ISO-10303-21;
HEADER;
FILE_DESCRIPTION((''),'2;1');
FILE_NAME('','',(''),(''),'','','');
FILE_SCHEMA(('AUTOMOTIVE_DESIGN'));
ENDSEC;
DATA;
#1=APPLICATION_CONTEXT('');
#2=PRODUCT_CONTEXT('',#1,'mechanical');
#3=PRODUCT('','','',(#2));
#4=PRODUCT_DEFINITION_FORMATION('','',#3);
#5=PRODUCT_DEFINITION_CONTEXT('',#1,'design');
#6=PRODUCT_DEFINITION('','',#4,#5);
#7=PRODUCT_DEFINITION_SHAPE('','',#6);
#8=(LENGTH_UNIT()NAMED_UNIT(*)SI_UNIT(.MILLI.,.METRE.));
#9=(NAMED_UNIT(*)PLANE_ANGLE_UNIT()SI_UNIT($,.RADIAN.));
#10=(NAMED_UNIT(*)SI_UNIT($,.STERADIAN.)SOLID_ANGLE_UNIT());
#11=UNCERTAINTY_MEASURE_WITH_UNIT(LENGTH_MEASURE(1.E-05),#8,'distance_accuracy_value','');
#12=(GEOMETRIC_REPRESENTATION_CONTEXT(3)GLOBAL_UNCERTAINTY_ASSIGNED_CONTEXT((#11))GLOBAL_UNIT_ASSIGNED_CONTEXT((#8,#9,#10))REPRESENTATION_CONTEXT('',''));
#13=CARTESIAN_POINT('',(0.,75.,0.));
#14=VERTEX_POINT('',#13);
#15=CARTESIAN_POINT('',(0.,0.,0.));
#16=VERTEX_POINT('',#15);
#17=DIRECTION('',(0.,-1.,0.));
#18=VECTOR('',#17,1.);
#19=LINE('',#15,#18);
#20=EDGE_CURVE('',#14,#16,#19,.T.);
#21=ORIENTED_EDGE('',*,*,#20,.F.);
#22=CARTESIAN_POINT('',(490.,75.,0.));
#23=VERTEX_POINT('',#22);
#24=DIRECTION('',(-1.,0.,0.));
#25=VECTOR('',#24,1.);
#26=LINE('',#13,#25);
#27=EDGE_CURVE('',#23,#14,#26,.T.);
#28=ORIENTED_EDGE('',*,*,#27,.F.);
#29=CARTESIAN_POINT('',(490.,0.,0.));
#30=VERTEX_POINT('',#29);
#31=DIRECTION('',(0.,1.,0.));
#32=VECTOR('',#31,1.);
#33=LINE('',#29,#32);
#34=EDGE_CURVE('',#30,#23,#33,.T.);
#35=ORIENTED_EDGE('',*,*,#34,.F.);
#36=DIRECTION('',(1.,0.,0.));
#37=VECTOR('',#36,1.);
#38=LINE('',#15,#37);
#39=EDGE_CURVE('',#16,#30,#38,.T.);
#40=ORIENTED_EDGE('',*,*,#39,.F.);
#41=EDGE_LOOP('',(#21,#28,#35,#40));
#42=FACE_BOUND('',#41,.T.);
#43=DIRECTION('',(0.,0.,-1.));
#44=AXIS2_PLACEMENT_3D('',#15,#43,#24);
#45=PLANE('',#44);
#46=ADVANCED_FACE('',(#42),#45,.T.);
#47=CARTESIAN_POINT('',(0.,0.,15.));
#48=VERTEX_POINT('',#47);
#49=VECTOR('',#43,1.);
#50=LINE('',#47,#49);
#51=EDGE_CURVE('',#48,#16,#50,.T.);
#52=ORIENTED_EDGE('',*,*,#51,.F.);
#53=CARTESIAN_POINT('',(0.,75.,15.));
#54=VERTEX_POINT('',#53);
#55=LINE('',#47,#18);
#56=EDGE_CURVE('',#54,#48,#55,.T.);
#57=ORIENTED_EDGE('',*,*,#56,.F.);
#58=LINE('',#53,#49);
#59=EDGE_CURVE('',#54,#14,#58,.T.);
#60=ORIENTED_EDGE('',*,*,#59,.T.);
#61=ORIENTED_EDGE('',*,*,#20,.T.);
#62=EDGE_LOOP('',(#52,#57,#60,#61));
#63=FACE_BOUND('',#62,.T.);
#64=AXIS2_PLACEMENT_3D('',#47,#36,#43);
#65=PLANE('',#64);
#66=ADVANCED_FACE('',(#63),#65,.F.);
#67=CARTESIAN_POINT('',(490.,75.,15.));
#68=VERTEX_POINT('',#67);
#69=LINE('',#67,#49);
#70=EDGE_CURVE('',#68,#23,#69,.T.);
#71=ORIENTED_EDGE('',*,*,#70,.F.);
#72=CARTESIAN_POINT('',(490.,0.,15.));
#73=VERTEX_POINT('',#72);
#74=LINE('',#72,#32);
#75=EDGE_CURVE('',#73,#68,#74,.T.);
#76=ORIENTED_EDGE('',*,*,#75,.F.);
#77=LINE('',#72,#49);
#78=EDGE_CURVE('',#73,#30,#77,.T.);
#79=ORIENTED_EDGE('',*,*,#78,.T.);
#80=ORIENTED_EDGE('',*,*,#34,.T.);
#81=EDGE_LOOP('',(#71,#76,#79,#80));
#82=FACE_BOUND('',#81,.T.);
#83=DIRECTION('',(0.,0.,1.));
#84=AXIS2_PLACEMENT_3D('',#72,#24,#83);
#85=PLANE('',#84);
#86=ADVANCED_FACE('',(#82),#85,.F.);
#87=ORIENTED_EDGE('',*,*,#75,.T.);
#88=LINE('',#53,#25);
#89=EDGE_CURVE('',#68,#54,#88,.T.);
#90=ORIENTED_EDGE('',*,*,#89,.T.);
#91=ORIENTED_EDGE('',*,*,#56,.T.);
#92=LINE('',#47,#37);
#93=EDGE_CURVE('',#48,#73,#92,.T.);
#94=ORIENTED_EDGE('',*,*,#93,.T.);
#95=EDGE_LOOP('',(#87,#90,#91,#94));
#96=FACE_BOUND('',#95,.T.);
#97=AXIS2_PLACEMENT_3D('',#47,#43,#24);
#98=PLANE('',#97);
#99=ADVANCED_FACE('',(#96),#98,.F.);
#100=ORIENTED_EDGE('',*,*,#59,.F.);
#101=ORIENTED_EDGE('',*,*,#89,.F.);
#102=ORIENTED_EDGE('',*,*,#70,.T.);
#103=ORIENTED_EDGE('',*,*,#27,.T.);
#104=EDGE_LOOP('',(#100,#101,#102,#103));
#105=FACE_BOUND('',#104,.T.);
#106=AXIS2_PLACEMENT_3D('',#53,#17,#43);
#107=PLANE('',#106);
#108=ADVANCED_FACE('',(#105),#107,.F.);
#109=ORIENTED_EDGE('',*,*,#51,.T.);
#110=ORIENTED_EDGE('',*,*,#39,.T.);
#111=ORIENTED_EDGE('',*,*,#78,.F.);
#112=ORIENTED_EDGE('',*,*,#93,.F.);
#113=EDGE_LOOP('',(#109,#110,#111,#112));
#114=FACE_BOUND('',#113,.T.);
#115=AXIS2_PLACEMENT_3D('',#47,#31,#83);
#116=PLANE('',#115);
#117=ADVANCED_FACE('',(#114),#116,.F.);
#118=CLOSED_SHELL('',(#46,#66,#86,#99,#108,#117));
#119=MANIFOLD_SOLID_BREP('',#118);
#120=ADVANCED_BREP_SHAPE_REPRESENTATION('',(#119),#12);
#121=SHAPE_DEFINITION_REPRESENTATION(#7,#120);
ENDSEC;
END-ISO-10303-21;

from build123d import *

# Parameters (mm, degrees)
SKETCH1_W           = 49
SKETCH1_H           = 7.5
BOSS_EXTRUDE1_DEPTH = 1.5
SCALE1_SCALE        = 10


with BuildPart() as part:
    # Sketch1 → Boss-Extrude1 (new body)
    with BuildSketch(Plane.XY):
        with Locations((24.5, 3.75)):
            Rectangle(SKETCH1_W, SKETCH1_H)
    extrude(amount=BOSS_EXTRUDE1_DEPTH)


with BuildPart() as part_1:
    # Scale1: scaled about (0, 0, 0)
    add(part.part.scale(SCALE1_SCALE))


solid = part_1.part
